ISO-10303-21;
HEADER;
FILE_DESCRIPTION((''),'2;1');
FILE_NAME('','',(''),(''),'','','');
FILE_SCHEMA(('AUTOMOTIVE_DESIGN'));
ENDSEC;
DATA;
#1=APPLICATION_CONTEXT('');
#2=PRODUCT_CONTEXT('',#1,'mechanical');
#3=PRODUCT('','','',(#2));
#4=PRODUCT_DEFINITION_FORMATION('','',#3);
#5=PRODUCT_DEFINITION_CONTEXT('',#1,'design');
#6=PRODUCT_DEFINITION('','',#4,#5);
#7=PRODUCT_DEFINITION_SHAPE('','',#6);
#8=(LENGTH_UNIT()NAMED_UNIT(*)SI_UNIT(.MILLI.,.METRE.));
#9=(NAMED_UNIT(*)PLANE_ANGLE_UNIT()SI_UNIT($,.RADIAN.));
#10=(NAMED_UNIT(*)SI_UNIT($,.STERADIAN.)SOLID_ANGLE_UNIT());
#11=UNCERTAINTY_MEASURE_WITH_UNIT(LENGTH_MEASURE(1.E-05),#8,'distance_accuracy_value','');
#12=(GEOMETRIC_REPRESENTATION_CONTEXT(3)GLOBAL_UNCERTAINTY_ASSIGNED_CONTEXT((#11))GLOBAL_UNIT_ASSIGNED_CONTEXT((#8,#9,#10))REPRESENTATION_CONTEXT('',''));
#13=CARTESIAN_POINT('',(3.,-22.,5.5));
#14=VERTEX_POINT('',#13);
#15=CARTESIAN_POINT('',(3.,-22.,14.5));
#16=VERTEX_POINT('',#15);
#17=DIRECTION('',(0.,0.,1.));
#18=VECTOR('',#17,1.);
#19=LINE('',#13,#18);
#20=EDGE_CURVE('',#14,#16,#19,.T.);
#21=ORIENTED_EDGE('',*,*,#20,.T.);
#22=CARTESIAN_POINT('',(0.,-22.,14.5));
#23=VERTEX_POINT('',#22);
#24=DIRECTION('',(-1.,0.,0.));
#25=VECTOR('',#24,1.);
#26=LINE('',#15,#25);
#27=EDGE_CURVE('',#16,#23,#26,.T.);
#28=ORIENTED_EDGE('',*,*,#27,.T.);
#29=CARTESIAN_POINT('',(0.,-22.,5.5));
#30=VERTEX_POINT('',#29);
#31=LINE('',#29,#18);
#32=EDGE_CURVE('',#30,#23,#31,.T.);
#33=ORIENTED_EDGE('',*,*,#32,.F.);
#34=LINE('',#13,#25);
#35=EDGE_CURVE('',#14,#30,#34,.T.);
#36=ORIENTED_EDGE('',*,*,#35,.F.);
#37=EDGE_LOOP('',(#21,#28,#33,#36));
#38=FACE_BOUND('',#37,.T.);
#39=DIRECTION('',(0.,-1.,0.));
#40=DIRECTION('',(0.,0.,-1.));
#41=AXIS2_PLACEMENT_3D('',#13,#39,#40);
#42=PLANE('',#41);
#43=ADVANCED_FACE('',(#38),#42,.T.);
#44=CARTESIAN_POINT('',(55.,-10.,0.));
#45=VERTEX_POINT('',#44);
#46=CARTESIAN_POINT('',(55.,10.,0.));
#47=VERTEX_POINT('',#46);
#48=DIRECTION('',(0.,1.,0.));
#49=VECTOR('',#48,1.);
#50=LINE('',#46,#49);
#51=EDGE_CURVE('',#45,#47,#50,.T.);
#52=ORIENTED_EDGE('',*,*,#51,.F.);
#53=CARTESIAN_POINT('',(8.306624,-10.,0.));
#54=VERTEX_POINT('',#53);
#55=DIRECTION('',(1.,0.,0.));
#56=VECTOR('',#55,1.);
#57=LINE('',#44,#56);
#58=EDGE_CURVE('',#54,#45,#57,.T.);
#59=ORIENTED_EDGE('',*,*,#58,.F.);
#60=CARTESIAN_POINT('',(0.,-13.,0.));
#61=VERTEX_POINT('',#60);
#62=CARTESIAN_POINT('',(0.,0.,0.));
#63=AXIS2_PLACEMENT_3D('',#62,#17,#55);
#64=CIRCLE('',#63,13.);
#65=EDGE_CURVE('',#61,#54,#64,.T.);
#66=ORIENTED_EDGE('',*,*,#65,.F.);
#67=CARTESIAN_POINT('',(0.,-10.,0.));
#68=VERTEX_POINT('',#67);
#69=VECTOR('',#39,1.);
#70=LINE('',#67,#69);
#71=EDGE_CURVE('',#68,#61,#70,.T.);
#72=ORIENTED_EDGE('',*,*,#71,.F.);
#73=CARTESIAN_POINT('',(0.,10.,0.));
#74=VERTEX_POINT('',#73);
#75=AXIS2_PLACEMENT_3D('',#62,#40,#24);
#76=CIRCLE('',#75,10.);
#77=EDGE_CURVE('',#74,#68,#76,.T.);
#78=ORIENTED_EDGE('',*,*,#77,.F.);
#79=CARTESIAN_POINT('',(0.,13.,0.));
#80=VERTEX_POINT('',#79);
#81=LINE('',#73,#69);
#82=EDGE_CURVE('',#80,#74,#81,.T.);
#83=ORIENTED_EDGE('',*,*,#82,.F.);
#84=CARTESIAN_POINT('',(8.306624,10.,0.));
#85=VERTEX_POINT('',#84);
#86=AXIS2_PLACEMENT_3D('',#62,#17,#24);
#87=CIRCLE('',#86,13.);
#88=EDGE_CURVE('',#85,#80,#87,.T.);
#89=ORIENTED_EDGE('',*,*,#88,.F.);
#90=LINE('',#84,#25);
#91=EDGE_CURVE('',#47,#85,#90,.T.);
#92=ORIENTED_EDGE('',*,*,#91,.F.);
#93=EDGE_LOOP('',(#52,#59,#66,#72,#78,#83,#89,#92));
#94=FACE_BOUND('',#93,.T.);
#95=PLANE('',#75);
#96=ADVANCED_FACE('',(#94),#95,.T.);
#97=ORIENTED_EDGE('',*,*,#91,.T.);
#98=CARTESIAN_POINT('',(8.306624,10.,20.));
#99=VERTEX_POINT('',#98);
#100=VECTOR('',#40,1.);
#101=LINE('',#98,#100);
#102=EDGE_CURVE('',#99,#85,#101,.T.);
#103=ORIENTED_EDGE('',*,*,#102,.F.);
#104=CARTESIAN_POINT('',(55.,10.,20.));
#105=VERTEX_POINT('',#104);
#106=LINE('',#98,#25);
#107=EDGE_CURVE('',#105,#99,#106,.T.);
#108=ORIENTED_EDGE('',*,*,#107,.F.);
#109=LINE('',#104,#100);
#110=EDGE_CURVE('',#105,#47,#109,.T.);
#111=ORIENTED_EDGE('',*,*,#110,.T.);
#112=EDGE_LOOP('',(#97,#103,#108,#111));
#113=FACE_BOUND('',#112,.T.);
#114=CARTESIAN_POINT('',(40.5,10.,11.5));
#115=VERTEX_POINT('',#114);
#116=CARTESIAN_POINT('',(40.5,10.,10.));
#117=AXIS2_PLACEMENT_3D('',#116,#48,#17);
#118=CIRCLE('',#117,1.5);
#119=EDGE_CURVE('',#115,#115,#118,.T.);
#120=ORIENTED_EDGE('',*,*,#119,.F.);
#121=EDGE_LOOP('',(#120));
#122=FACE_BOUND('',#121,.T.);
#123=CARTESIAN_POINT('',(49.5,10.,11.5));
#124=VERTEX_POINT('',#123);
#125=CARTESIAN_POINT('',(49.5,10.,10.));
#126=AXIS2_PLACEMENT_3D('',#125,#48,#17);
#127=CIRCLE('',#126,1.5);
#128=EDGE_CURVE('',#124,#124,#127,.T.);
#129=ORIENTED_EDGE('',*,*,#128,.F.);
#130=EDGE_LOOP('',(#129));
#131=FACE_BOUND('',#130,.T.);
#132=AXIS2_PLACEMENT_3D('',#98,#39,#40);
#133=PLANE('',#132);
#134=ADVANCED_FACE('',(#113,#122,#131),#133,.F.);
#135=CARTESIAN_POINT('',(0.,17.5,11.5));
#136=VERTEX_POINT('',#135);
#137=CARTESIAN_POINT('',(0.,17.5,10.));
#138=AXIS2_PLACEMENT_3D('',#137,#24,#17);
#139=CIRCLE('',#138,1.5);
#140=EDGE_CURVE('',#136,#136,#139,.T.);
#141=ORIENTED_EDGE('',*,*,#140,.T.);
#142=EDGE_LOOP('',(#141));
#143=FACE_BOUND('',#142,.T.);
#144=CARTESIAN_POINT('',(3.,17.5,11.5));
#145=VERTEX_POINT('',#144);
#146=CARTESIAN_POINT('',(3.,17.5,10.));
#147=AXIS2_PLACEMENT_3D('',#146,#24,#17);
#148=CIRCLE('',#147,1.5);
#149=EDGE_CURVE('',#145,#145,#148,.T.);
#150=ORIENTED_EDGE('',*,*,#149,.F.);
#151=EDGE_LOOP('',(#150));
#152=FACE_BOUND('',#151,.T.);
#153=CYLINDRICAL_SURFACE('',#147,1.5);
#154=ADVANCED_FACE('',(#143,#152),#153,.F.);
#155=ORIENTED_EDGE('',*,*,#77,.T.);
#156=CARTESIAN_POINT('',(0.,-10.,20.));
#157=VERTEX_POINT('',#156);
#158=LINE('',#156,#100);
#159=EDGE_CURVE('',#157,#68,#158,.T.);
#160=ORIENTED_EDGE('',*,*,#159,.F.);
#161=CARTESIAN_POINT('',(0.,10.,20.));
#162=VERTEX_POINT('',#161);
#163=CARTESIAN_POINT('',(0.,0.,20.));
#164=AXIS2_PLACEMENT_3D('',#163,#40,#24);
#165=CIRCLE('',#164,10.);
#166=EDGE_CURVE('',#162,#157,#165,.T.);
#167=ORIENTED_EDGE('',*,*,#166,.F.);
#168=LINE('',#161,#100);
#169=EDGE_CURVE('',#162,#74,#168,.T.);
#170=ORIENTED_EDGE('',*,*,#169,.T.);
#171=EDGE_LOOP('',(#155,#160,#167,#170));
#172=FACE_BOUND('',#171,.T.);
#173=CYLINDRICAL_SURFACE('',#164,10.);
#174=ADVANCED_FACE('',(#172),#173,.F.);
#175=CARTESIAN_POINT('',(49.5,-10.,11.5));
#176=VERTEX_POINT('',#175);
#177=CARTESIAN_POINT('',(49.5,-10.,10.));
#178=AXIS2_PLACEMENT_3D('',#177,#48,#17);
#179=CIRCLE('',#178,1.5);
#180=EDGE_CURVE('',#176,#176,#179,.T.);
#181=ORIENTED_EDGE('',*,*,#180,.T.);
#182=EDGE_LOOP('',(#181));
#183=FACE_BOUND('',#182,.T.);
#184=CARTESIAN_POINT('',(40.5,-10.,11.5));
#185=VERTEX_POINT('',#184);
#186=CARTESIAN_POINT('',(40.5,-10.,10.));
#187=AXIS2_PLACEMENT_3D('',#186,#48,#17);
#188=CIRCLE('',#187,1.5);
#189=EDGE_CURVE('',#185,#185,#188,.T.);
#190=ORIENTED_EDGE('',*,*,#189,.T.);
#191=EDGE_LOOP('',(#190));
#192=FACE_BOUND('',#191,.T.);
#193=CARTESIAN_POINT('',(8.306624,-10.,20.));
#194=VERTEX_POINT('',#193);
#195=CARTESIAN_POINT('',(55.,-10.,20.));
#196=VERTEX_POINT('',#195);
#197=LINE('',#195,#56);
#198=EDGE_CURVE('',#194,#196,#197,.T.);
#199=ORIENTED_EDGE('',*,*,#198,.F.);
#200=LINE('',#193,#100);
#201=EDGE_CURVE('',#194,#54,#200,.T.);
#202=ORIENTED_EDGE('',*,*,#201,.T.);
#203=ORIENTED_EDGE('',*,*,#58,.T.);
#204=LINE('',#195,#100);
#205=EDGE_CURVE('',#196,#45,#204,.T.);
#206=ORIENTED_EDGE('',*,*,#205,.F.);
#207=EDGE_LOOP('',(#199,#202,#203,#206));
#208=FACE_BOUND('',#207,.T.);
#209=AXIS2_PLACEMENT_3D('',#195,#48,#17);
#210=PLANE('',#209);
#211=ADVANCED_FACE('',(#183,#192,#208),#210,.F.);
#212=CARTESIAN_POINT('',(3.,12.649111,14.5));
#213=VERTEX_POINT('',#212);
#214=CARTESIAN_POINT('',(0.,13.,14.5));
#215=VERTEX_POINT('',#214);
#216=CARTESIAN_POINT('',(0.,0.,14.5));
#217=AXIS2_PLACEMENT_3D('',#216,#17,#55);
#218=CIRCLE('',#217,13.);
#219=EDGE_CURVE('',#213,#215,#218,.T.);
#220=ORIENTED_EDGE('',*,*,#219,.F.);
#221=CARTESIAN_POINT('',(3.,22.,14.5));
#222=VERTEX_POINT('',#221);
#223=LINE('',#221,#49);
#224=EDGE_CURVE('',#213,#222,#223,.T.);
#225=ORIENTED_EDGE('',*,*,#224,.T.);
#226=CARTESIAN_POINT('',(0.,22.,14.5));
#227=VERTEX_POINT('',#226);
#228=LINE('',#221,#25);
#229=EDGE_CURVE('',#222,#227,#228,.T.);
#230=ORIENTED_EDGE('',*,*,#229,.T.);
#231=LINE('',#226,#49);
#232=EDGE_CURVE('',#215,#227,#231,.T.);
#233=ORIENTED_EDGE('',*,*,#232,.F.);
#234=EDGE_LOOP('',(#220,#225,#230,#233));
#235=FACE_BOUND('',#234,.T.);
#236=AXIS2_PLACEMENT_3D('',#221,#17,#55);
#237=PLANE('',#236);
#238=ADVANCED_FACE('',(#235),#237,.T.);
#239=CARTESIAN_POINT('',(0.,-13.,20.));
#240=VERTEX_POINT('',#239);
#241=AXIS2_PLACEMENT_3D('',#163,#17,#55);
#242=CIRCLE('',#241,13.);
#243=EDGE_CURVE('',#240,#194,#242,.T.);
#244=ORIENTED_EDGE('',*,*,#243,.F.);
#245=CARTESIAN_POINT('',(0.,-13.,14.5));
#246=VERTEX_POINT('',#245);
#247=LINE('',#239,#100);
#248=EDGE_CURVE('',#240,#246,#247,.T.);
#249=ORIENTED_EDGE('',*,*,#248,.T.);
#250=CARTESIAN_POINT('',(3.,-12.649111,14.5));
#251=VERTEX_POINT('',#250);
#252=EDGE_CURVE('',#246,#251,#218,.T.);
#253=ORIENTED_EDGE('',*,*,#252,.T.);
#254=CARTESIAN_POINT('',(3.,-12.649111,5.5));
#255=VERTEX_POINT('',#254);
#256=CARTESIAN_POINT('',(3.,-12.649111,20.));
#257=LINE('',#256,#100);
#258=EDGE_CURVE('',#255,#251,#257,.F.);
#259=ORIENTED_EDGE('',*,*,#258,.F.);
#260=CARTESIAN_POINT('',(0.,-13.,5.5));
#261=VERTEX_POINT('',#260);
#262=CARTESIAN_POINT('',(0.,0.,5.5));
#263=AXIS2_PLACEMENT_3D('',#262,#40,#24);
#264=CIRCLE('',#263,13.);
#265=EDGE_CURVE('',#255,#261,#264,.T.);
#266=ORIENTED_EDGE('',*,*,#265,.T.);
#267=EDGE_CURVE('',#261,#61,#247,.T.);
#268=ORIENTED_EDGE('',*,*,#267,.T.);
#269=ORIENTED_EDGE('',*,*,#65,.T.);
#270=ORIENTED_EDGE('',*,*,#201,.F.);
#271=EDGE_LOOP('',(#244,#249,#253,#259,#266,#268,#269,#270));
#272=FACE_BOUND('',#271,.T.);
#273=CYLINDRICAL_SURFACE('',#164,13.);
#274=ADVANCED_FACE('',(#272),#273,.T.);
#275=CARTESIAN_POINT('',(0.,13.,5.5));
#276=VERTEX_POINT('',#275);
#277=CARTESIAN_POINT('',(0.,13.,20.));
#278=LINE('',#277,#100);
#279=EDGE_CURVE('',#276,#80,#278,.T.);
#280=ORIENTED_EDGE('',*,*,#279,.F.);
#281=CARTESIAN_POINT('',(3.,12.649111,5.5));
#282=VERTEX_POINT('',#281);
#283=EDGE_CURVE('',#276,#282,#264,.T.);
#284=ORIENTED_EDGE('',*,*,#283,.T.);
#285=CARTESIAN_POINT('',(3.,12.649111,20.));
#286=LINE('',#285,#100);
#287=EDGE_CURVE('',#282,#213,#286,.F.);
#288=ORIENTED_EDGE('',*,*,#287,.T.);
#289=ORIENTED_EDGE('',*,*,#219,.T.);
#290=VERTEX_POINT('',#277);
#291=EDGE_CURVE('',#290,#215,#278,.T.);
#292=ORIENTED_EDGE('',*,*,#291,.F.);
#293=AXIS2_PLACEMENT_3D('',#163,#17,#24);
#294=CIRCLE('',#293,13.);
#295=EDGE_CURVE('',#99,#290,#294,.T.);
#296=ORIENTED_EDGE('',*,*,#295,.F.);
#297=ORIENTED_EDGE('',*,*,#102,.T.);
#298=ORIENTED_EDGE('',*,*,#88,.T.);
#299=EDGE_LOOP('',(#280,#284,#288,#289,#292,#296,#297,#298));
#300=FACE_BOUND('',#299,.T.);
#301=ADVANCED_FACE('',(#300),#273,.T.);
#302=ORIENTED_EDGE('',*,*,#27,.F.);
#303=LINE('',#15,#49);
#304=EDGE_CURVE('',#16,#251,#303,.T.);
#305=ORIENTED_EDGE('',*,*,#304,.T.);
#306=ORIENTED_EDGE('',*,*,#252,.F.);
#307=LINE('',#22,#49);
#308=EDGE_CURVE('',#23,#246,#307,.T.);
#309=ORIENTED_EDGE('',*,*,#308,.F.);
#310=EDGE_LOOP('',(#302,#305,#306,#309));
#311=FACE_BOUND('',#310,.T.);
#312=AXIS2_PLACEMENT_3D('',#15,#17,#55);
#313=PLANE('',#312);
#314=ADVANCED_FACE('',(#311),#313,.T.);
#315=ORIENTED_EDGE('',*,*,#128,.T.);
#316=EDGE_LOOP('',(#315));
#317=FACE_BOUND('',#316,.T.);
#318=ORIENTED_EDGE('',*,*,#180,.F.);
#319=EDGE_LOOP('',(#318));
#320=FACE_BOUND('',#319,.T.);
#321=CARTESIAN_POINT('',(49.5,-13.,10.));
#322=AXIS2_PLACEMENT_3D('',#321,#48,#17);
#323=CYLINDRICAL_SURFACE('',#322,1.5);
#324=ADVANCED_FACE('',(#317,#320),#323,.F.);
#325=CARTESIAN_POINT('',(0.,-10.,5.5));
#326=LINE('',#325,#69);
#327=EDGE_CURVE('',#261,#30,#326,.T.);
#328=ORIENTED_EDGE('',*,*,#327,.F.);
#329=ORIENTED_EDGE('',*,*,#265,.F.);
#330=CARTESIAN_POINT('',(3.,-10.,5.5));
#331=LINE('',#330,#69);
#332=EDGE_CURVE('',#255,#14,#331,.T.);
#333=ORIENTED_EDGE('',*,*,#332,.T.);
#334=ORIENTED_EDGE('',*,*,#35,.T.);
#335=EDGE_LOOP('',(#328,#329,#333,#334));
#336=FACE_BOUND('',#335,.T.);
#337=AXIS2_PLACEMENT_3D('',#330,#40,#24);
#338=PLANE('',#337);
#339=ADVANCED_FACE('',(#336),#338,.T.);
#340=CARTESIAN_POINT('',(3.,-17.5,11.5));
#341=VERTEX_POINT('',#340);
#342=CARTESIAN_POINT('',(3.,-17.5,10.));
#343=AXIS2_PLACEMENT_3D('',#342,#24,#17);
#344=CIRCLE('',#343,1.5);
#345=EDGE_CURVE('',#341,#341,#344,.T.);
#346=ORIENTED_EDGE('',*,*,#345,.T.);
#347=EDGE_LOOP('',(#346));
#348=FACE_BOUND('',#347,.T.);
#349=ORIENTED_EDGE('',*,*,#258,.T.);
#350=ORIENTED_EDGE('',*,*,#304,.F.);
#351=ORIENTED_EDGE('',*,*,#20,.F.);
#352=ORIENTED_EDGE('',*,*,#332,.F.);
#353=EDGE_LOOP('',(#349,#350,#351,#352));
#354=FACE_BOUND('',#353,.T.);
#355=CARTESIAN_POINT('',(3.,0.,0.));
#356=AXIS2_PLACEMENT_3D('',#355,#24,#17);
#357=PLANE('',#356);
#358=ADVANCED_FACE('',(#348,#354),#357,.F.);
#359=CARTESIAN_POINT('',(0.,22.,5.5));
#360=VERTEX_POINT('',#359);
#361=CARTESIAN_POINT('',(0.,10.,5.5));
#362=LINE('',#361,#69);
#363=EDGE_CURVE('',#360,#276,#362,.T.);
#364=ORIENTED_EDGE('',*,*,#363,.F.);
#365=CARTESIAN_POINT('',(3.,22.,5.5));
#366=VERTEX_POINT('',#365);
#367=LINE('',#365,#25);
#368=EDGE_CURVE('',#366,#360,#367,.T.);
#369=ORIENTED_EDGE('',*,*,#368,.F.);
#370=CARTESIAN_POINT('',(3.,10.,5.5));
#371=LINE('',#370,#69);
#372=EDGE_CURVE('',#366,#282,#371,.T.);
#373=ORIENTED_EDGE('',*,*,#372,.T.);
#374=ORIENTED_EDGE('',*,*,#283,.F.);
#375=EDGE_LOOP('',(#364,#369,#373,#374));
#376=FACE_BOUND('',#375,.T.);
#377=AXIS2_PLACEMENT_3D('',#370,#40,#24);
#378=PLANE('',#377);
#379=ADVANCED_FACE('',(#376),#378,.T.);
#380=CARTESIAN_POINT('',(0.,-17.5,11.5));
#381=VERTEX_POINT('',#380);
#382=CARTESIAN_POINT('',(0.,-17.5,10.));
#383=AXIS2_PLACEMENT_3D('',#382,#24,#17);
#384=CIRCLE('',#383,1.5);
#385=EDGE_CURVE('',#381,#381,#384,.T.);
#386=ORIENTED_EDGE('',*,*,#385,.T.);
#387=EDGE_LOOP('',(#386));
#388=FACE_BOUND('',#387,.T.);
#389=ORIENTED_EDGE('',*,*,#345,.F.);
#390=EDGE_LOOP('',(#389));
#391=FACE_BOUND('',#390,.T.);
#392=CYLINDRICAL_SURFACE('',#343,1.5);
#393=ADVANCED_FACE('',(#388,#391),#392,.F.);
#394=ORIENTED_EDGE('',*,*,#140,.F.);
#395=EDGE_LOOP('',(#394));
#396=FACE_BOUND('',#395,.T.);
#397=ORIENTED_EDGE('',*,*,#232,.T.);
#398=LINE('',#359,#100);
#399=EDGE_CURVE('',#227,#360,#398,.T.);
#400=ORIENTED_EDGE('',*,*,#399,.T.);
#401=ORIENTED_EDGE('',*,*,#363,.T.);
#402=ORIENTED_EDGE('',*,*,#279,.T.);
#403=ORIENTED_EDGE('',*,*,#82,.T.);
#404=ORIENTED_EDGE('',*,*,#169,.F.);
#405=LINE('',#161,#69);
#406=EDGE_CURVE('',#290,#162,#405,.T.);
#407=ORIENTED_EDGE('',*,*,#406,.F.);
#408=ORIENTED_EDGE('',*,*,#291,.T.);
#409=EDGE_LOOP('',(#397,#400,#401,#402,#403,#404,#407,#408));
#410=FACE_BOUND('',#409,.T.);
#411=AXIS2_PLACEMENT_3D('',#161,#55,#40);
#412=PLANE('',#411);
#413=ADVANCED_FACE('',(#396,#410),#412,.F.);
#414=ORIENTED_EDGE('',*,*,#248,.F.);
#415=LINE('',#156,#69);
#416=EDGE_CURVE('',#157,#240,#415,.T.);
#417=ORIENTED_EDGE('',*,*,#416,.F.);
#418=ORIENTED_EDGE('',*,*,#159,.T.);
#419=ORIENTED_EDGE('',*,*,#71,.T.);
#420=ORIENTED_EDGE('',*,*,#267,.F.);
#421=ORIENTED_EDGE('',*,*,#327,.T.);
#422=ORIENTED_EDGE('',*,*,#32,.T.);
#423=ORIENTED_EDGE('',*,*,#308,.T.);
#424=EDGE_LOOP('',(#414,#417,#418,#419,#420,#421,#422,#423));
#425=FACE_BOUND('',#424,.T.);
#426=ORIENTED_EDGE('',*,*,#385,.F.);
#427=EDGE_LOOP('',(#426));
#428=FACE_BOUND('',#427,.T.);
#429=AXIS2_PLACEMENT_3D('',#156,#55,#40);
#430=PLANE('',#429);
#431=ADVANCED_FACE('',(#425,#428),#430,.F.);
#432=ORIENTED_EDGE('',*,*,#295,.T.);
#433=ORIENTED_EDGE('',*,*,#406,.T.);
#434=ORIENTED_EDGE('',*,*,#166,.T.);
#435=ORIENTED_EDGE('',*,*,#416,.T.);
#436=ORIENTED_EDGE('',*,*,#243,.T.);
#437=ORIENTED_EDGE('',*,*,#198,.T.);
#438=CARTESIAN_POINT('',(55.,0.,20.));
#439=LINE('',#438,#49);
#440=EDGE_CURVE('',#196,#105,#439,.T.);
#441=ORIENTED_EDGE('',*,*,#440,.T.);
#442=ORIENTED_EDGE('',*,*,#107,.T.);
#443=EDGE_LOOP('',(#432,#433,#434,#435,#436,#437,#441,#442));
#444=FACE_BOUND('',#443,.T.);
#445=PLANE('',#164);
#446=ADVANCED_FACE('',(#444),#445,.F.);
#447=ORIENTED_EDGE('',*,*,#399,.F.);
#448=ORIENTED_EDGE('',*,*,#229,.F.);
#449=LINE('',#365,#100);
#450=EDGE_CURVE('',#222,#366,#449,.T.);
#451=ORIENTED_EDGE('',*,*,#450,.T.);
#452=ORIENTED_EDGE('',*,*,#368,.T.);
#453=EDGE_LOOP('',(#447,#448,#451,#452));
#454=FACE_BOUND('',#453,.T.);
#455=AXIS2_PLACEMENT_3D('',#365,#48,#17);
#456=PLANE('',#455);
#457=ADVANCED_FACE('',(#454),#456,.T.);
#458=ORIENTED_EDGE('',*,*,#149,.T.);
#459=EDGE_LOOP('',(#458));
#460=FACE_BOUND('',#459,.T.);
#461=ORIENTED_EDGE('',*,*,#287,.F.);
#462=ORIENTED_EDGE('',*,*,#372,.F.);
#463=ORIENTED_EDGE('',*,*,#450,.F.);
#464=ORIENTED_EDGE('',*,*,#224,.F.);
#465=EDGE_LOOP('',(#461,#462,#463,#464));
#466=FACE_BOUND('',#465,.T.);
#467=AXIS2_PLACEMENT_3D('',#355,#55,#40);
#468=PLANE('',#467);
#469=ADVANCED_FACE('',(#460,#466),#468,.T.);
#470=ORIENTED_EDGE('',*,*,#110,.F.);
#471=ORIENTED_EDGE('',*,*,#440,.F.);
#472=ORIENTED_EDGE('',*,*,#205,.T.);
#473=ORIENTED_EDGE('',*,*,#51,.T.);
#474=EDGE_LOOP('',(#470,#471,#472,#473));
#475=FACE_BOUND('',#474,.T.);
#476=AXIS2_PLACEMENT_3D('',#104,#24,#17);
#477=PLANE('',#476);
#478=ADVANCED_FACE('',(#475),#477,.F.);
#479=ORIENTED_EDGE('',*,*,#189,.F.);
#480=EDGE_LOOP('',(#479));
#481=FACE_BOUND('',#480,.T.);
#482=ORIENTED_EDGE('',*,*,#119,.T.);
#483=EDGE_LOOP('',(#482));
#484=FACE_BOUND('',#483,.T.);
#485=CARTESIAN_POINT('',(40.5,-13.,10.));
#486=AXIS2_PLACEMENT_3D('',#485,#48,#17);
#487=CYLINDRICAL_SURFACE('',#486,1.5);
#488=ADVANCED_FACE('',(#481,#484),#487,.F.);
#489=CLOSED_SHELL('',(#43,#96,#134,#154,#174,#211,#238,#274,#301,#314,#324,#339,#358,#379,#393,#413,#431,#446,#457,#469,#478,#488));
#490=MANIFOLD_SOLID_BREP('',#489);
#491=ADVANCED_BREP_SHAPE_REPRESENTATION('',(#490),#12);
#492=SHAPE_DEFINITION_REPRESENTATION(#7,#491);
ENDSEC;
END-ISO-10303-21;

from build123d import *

# Parameters (mm, degrees)
EXTRUDE_1_DEPTH     = 20
SKETCH_2_R          = 1.5
CUT_EXTRUDE_1_DEPTH = 63.880839689
SKETCH_6_R          = 1.5
EXTRUDE_2_DEPTH     = 3


with BuildPart() as part:
    # Эскиз1 → Бобышка-Вытянуть1 (new body)
    with BuildSketch(Plane.XY):
        with BuildLine():
            Line((0, 10), (0, 13))
            ThreePointArc((0, 13), (4.415880433, 12.227019261), (8.306623863, 10))
            Line((8.306623863, 10), (55, 10))
            Line((55, 10), (55, 0))
            Line((55, 0), (55, -10))
            Line((55, -10), (8.306623863, -10))
            ThreePointArc((8.306623863, -10), (4.415880433, -12.227019261), (0, -13))
            Line((0, -13), (0, -10))
            ThreePointArc((0, -10), (10, 0), (0, 10))
        make_face()
    extrude(amount=EXTRUDE_1_DEPTH)

    # Эскиз2 → Вырез-Вытянуть1 (cut, through all)
    with BuildSketch(Plane(origin=(0, 10, 0), x_dir=(1, 0, 0), z_dir=(0, 1, 0))):
        with Locations(Location((40.5, -10, 0), (0, 0, 270))):
            Circle(SKETCH_2_R)
        with Locations(Location((49.5, -10, 0), (0, 0, 270))):
            Circle(SKETCH_2_R)
    extrude(amount=-CUT_EXTRUDE_1_DEPTH, mode=Mode.SUBTRACT)

    # Эскиз6 → Бобышка-Вытянуть2 (add)
    # profile 1 of 2: a face of its own
    with BuildSketch(Plane.ZY):
        Polygon((10, 10), (5.5, 10), (5.5, 22), (14.5, 22), (14.5, 10), align=None)
        with Locations((10, 17.5)):
            Circle(SKETCH_6_R, mode=Mode.SUBTRACT)
    # profile 2 of 2: a face of its own
    with BuildSketch(Plane.ZY):
        Polygon((10, -10), (5.5, -10), (5.5, -22), (14.5, -22), (14.5, -10), align=None)
        with Locations((10, -17.5)):
            Circle(SKETCH_6_R, mode=Mode.SUBTRACT)
    extrude(amount=-EXTRUDE_2_DEPTH)


solid = part.part
